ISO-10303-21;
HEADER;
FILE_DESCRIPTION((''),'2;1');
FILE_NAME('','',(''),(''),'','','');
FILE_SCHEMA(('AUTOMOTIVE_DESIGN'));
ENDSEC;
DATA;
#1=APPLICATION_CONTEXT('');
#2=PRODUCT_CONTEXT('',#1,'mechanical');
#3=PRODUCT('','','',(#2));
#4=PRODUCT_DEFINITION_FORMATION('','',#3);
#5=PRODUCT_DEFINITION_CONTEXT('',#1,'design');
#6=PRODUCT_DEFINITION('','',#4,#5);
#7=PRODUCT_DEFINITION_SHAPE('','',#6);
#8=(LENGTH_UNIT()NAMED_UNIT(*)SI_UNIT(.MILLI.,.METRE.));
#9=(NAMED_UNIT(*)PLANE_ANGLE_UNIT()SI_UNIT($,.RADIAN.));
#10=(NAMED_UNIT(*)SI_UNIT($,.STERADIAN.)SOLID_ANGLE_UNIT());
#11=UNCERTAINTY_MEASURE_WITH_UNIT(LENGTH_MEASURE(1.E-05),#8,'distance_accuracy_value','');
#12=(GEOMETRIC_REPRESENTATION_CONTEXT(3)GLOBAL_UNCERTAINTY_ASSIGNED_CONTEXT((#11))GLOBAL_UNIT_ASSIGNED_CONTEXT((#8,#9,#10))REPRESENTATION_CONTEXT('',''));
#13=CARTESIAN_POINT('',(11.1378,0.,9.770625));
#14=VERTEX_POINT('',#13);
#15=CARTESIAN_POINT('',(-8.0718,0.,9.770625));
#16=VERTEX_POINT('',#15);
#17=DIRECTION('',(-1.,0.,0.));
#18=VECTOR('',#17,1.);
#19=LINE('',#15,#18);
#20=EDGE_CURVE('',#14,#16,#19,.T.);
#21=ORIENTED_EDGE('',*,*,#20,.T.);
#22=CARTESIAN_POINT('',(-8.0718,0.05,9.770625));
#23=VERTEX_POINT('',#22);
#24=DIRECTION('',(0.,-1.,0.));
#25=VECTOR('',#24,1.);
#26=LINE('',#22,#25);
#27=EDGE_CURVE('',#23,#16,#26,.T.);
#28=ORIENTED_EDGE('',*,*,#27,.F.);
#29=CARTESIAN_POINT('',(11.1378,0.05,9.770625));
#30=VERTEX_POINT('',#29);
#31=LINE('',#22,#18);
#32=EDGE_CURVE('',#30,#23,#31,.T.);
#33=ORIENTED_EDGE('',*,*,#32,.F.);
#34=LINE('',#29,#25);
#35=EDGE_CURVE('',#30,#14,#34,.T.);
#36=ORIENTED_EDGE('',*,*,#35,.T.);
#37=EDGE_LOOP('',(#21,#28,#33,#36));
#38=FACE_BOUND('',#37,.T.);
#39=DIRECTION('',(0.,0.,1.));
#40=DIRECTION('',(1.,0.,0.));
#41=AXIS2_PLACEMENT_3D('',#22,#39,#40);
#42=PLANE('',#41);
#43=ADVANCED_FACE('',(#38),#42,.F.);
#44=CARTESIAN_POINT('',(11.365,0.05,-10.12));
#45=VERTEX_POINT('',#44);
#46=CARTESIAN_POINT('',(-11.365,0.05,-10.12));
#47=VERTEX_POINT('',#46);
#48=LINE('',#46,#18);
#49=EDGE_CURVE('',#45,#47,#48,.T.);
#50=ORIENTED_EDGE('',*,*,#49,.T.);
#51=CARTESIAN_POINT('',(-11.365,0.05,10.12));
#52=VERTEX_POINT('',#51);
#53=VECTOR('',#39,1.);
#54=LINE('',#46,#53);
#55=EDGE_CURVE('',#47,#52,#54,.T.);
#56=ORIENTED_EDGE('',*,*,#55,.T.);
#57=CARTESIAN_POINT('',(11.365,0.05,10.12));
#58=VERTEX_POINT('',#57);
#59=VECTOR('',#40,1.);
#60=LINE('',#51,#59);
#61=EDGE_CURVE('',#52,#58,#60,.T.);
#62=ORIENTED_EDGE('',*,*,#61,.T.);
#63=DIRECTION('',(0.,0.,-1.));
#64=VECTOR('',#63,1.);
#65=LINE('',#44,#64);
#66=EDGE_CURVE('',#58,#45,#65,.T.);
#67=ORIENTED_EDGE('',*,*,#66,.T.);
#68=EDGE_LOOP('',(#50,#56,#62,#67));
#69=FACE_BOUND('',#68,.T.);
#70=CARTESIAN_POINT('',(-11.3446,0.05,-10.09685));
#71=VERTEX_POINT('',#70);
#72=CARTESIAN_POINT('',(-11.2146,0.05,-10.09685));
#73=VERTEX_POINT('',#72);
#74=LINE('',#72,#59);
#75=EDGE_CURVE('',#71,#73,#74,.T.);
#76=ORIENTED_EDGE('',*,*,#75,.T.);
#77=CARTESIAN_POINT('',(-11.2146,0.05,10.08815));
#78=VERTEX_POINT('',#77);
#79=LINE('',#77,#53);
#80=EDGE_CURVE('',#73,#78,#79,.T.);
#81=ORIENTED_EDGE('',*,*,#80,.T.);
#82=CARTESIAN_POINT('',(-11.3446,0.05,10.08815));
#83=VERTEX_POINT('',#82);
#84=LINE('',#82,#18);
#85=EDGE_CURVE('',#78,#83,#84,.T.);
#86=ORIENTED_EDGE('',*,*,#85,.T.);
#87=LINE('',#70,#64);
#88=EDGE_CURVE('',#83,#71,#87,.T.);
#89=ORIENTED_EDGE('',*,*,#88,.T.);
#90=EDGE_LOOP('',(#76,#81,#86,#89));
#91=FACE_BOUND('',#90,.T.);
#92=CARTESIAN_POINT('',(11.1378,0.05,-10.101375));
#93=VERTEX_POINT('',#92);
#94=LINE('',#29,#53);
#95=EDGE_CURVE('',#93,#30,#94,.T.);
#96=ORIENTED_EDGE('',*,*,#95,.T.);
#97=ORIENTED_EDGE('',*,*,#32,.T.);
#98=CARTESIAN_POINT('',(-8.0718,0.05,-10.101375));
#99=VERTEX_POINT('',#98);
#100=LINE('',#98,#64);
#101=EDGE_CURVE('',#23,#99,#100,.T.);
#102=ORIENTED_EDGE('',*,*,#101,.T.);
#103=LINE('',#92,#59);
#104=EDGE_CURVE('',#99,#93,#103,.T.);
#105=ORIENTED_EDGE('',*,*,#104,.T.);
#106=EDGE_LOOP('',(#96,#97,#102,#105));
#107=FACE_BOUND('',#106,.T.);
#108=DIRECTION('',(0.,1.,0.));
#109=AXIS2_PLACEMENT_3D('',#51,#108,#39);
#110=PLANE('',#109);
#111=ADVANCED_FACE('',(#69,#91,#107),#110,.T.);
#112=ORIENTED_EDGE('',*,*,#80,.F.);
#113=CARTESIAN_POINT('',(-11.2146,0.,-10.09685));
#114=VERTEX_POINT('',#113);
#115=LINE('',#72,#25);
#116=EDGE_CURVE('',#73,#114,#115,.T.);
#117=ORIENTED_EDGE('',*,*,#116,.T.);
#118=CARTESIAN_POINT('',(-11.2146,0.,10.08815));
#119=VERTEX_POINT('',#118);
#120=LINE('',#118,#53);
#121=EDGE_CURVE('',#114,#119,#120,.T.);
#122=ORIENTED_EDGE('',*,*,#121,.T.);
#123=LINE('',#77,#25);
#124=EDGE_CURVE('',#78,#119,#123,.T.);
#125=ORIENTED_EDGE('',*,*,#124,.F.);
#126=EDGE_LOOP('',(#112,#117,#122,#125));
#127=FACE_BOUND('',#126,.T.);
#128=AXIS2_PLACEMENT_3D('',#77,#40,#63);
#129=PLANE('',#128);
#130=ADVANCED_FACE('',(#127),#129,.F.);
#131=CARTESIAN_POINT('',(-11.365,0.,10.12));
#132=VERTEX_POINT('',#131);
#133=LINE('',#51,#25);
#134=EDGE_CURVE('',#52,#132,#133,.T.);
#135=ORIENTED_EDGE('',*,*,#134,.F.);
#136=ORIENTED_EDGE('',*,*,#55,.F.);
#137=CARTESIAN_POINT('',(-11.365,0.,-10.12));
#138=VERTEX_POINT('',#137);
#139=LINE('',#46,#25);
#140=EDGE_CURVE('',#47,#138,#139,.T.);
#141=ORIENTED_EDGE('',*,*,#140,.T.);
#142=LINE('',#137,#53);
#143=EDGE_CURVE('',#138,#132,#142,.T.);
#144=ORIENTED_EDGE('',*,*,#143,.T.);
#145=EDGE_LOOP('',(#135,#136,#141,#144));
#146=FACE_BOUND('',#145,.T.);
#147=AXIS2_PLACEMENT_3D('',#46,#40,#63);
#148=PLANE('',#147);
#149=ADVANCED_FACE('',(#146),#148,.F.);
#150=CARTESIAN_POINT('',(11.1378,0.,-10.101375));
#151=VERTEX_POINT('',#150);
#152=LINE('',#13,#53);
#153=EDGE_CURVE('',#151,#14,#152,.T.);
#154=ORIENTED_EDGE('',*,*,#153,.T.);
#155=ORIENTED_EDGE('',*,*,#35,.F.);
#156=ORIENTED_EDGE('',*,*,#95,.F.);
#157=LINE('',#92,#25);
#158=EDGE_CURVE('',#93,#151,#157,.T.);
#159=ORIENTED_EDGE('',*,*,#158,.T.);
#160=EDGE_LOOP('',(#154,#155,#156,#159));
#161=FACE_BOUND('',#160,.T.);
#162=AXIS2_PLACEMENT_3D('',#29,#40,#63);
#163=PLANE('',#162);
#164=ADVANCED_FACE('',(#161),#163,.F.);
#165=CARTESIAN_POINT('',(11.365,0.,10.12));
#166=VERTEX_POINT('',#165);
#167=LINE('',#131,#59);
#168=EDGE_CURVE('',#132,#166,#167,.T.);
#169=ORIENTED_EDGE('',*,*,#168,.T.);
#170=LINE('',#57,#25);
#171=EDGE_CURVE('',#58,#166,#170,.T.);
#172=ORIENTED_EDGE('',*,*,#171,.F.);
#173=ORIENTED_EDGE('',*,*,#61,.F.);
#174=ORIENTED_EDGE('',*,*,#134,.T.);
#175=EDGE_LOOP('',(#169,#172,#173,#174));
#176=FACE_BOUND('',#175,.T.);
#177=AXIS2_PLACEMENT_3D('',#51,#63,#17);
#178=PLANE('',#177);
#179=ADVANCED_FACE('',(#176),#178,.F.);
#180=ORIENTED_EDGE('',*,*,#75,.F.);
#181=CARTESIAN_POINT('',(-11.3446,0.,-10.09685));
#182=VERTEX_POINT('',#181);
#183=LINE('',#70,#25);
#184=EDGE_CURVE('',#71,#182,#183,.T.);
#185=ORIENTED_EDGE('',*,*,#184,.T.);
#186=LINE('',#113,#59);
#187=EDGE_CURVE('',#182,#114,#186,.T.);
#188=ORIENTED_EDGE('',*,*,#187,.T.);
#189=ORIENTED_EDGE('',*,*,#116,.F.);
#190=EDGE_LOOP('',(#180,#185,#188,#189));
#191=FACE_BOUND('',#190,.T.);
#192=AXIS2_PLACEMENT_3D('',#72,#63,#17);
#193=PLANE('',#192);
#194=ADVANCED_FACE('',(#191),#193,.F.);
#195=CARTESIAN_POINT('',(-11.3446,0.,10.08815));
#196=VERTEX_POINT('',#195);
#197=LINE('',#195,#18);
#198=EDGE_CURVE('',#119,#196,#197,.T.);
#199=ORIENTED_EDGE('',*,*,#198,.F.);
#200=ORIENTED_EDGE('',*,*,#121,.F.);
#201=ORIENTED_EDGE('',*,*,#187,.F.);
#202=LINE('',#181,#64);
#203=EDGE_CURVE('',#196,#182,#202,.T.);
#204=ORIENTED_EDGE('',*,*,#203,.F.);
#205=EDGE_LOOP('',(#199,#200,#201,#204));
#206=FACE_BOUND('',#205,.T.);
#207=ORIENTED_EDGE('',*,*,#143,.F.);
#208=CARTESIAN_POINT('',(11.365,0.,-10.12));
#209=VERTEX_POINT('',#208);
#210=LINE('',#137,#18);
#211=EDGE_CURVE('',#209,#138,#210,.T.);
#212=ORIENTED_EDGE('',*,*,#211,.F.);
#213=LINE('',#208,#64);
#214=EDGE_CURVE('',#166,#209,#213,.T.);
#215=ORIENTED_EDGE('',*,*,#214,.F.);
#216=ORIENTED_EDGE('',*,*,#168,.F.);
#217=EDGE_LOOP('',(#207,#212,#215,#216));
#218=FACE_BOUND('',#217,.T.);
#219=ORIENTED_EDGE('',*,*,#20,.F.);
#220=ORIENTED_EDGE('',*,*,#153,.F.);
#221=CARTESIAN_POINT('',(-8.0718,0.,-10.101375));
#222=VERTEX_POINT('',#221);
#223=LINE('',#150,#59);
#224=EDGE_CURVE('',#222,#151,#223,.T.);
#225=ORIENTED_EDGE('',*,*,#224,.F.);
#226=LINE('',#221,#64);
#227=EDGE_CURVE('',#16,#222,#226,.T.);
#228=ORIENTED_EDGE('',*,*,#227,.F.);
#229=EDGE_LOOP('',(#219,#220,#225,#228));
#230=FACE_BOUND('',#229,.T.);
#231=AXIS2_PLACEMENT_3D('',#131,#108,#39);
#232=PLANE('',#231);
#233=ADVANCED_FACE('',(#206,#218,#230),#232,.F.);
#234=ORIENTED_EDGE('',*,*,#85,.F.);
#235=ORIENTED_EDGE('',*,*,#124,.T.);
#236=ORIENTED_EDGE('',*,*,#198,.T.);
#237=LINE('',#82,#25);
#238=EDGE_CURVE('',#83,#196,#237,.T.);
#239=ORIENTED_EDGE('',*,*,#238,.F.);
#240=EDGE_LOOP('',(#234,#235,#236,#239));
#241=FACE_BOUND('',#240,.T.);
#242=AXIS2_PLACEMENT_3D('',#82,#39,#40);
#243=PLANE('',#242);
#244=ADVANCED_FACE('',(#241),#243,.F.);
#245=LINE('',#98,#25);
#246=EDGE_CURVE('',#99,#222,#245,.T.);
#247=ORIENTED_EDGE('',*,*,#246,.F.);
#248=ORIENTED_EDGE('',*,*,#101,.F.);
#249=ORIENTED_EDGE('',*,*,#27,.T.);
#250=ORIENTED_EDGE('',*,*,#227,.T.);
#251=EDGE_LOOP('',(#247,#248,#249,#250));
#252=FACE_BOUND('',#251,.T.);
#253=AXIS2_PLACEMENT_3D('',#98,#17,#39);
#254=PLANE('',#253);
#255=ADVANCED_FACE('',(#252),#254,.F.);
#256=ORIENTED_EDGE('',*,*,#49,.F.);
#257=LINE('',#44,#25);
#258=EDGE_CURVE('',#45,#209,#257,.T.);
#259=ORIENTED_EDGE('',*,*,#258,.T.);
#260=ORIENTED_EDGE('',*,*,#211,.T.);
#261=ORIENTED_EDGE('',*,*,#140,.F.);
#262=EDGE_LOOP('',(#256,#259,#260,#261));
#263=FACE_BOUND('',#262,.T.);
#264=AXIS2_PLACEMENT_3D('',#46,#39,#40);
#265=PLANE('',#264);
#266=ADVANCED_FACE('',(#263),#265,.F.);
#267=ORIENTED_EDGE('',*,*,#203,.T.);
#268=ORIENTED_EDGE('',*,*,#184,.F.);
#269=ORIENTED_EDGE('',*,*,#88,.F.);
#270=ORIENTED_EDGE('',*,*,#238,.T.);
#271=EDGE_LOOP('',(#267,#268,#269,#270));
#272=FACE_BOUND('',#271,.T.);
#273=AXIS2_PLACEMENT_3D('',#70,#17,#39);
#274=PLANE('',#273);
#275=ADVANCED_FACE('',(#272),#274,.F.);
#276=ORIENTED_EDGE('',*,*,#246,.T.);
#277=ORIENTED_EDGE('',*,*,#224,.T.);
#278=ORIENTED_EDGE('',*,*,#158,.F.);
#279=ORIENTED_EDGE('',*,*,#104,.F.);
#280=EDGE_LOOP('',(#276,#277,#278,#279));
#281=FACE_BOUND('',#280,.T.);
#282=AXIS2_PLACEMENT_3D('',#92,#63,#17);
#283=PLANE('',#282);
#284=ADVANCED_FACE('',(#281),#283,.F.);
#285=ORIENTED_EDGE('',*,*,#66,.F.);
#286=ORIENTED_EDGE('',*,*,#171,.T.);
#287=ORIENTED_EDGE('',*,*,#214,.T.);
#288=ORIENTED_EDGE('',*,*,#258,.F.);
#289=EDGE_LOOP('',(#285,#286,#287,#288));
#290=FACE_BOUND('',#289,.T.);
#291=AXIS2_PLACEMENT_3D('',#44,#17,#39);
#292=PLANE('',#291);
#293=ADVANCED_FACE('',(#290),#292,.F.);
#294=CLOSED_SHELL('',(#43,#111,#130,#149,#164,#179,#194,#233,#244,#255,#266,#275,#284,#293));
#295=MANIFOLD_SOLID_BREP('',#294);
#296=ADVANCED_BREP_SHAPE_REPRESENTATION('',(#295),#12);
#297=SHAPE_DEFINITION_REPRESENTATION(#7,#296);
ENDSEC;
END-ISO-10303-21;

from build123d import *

# Parameters (mm, degrees)
SKETCH1_W          = 22.73
SKETCH1_H          = 20.24
EXTRUDE1_DEPTH     = 0.05
SKETCH2_W          = 0.13
SKETCH2_H          = 20.185
CUT_EXTRUDE1_DEPTH = 1.05
SKETCH3_W          = 19.2096
SKETCH3_H          = 19.872
CUT_EXTRUDE2_DEPTH = 1.05


with BuildPart() as part:
    # Sketch1 → Extrude1 (new body)
    with BuildSketch(Plane(origin=(0, 0, 0), x_dir=(1, 0, 0), z_dir=(0, 1, 0))):
        Rectangle(SKETCH1_W, SKETCH1_H)
    extrude(amount=EXTRUDE1_DEPTH)

    # Sketch2 → Cut-Extrude1 (cut, through all)
    with BuildSketch(Plane.XZ):
        with Locations((-11.2796, -0.00435)):
            Rectangle(SKETCH2_W, SKETCH2_H)
    extrude(amount=-CUT_EXTRUDE1_DEPTH, mode=Mode.SUBTRACT)

    # Sketch3 → Cut-Extrude2 (cut, through all)
    with BuildSketch(Plane.XZ):
        with Locations((1.533, -0.165375)):
            Rectangle(SKETCH3_W, SKETCH3_H)
    extrude(amount=-CUT_EXTRUDE2_DEPTH, mode=Mode.SUBTRACT)


solid = part.part
